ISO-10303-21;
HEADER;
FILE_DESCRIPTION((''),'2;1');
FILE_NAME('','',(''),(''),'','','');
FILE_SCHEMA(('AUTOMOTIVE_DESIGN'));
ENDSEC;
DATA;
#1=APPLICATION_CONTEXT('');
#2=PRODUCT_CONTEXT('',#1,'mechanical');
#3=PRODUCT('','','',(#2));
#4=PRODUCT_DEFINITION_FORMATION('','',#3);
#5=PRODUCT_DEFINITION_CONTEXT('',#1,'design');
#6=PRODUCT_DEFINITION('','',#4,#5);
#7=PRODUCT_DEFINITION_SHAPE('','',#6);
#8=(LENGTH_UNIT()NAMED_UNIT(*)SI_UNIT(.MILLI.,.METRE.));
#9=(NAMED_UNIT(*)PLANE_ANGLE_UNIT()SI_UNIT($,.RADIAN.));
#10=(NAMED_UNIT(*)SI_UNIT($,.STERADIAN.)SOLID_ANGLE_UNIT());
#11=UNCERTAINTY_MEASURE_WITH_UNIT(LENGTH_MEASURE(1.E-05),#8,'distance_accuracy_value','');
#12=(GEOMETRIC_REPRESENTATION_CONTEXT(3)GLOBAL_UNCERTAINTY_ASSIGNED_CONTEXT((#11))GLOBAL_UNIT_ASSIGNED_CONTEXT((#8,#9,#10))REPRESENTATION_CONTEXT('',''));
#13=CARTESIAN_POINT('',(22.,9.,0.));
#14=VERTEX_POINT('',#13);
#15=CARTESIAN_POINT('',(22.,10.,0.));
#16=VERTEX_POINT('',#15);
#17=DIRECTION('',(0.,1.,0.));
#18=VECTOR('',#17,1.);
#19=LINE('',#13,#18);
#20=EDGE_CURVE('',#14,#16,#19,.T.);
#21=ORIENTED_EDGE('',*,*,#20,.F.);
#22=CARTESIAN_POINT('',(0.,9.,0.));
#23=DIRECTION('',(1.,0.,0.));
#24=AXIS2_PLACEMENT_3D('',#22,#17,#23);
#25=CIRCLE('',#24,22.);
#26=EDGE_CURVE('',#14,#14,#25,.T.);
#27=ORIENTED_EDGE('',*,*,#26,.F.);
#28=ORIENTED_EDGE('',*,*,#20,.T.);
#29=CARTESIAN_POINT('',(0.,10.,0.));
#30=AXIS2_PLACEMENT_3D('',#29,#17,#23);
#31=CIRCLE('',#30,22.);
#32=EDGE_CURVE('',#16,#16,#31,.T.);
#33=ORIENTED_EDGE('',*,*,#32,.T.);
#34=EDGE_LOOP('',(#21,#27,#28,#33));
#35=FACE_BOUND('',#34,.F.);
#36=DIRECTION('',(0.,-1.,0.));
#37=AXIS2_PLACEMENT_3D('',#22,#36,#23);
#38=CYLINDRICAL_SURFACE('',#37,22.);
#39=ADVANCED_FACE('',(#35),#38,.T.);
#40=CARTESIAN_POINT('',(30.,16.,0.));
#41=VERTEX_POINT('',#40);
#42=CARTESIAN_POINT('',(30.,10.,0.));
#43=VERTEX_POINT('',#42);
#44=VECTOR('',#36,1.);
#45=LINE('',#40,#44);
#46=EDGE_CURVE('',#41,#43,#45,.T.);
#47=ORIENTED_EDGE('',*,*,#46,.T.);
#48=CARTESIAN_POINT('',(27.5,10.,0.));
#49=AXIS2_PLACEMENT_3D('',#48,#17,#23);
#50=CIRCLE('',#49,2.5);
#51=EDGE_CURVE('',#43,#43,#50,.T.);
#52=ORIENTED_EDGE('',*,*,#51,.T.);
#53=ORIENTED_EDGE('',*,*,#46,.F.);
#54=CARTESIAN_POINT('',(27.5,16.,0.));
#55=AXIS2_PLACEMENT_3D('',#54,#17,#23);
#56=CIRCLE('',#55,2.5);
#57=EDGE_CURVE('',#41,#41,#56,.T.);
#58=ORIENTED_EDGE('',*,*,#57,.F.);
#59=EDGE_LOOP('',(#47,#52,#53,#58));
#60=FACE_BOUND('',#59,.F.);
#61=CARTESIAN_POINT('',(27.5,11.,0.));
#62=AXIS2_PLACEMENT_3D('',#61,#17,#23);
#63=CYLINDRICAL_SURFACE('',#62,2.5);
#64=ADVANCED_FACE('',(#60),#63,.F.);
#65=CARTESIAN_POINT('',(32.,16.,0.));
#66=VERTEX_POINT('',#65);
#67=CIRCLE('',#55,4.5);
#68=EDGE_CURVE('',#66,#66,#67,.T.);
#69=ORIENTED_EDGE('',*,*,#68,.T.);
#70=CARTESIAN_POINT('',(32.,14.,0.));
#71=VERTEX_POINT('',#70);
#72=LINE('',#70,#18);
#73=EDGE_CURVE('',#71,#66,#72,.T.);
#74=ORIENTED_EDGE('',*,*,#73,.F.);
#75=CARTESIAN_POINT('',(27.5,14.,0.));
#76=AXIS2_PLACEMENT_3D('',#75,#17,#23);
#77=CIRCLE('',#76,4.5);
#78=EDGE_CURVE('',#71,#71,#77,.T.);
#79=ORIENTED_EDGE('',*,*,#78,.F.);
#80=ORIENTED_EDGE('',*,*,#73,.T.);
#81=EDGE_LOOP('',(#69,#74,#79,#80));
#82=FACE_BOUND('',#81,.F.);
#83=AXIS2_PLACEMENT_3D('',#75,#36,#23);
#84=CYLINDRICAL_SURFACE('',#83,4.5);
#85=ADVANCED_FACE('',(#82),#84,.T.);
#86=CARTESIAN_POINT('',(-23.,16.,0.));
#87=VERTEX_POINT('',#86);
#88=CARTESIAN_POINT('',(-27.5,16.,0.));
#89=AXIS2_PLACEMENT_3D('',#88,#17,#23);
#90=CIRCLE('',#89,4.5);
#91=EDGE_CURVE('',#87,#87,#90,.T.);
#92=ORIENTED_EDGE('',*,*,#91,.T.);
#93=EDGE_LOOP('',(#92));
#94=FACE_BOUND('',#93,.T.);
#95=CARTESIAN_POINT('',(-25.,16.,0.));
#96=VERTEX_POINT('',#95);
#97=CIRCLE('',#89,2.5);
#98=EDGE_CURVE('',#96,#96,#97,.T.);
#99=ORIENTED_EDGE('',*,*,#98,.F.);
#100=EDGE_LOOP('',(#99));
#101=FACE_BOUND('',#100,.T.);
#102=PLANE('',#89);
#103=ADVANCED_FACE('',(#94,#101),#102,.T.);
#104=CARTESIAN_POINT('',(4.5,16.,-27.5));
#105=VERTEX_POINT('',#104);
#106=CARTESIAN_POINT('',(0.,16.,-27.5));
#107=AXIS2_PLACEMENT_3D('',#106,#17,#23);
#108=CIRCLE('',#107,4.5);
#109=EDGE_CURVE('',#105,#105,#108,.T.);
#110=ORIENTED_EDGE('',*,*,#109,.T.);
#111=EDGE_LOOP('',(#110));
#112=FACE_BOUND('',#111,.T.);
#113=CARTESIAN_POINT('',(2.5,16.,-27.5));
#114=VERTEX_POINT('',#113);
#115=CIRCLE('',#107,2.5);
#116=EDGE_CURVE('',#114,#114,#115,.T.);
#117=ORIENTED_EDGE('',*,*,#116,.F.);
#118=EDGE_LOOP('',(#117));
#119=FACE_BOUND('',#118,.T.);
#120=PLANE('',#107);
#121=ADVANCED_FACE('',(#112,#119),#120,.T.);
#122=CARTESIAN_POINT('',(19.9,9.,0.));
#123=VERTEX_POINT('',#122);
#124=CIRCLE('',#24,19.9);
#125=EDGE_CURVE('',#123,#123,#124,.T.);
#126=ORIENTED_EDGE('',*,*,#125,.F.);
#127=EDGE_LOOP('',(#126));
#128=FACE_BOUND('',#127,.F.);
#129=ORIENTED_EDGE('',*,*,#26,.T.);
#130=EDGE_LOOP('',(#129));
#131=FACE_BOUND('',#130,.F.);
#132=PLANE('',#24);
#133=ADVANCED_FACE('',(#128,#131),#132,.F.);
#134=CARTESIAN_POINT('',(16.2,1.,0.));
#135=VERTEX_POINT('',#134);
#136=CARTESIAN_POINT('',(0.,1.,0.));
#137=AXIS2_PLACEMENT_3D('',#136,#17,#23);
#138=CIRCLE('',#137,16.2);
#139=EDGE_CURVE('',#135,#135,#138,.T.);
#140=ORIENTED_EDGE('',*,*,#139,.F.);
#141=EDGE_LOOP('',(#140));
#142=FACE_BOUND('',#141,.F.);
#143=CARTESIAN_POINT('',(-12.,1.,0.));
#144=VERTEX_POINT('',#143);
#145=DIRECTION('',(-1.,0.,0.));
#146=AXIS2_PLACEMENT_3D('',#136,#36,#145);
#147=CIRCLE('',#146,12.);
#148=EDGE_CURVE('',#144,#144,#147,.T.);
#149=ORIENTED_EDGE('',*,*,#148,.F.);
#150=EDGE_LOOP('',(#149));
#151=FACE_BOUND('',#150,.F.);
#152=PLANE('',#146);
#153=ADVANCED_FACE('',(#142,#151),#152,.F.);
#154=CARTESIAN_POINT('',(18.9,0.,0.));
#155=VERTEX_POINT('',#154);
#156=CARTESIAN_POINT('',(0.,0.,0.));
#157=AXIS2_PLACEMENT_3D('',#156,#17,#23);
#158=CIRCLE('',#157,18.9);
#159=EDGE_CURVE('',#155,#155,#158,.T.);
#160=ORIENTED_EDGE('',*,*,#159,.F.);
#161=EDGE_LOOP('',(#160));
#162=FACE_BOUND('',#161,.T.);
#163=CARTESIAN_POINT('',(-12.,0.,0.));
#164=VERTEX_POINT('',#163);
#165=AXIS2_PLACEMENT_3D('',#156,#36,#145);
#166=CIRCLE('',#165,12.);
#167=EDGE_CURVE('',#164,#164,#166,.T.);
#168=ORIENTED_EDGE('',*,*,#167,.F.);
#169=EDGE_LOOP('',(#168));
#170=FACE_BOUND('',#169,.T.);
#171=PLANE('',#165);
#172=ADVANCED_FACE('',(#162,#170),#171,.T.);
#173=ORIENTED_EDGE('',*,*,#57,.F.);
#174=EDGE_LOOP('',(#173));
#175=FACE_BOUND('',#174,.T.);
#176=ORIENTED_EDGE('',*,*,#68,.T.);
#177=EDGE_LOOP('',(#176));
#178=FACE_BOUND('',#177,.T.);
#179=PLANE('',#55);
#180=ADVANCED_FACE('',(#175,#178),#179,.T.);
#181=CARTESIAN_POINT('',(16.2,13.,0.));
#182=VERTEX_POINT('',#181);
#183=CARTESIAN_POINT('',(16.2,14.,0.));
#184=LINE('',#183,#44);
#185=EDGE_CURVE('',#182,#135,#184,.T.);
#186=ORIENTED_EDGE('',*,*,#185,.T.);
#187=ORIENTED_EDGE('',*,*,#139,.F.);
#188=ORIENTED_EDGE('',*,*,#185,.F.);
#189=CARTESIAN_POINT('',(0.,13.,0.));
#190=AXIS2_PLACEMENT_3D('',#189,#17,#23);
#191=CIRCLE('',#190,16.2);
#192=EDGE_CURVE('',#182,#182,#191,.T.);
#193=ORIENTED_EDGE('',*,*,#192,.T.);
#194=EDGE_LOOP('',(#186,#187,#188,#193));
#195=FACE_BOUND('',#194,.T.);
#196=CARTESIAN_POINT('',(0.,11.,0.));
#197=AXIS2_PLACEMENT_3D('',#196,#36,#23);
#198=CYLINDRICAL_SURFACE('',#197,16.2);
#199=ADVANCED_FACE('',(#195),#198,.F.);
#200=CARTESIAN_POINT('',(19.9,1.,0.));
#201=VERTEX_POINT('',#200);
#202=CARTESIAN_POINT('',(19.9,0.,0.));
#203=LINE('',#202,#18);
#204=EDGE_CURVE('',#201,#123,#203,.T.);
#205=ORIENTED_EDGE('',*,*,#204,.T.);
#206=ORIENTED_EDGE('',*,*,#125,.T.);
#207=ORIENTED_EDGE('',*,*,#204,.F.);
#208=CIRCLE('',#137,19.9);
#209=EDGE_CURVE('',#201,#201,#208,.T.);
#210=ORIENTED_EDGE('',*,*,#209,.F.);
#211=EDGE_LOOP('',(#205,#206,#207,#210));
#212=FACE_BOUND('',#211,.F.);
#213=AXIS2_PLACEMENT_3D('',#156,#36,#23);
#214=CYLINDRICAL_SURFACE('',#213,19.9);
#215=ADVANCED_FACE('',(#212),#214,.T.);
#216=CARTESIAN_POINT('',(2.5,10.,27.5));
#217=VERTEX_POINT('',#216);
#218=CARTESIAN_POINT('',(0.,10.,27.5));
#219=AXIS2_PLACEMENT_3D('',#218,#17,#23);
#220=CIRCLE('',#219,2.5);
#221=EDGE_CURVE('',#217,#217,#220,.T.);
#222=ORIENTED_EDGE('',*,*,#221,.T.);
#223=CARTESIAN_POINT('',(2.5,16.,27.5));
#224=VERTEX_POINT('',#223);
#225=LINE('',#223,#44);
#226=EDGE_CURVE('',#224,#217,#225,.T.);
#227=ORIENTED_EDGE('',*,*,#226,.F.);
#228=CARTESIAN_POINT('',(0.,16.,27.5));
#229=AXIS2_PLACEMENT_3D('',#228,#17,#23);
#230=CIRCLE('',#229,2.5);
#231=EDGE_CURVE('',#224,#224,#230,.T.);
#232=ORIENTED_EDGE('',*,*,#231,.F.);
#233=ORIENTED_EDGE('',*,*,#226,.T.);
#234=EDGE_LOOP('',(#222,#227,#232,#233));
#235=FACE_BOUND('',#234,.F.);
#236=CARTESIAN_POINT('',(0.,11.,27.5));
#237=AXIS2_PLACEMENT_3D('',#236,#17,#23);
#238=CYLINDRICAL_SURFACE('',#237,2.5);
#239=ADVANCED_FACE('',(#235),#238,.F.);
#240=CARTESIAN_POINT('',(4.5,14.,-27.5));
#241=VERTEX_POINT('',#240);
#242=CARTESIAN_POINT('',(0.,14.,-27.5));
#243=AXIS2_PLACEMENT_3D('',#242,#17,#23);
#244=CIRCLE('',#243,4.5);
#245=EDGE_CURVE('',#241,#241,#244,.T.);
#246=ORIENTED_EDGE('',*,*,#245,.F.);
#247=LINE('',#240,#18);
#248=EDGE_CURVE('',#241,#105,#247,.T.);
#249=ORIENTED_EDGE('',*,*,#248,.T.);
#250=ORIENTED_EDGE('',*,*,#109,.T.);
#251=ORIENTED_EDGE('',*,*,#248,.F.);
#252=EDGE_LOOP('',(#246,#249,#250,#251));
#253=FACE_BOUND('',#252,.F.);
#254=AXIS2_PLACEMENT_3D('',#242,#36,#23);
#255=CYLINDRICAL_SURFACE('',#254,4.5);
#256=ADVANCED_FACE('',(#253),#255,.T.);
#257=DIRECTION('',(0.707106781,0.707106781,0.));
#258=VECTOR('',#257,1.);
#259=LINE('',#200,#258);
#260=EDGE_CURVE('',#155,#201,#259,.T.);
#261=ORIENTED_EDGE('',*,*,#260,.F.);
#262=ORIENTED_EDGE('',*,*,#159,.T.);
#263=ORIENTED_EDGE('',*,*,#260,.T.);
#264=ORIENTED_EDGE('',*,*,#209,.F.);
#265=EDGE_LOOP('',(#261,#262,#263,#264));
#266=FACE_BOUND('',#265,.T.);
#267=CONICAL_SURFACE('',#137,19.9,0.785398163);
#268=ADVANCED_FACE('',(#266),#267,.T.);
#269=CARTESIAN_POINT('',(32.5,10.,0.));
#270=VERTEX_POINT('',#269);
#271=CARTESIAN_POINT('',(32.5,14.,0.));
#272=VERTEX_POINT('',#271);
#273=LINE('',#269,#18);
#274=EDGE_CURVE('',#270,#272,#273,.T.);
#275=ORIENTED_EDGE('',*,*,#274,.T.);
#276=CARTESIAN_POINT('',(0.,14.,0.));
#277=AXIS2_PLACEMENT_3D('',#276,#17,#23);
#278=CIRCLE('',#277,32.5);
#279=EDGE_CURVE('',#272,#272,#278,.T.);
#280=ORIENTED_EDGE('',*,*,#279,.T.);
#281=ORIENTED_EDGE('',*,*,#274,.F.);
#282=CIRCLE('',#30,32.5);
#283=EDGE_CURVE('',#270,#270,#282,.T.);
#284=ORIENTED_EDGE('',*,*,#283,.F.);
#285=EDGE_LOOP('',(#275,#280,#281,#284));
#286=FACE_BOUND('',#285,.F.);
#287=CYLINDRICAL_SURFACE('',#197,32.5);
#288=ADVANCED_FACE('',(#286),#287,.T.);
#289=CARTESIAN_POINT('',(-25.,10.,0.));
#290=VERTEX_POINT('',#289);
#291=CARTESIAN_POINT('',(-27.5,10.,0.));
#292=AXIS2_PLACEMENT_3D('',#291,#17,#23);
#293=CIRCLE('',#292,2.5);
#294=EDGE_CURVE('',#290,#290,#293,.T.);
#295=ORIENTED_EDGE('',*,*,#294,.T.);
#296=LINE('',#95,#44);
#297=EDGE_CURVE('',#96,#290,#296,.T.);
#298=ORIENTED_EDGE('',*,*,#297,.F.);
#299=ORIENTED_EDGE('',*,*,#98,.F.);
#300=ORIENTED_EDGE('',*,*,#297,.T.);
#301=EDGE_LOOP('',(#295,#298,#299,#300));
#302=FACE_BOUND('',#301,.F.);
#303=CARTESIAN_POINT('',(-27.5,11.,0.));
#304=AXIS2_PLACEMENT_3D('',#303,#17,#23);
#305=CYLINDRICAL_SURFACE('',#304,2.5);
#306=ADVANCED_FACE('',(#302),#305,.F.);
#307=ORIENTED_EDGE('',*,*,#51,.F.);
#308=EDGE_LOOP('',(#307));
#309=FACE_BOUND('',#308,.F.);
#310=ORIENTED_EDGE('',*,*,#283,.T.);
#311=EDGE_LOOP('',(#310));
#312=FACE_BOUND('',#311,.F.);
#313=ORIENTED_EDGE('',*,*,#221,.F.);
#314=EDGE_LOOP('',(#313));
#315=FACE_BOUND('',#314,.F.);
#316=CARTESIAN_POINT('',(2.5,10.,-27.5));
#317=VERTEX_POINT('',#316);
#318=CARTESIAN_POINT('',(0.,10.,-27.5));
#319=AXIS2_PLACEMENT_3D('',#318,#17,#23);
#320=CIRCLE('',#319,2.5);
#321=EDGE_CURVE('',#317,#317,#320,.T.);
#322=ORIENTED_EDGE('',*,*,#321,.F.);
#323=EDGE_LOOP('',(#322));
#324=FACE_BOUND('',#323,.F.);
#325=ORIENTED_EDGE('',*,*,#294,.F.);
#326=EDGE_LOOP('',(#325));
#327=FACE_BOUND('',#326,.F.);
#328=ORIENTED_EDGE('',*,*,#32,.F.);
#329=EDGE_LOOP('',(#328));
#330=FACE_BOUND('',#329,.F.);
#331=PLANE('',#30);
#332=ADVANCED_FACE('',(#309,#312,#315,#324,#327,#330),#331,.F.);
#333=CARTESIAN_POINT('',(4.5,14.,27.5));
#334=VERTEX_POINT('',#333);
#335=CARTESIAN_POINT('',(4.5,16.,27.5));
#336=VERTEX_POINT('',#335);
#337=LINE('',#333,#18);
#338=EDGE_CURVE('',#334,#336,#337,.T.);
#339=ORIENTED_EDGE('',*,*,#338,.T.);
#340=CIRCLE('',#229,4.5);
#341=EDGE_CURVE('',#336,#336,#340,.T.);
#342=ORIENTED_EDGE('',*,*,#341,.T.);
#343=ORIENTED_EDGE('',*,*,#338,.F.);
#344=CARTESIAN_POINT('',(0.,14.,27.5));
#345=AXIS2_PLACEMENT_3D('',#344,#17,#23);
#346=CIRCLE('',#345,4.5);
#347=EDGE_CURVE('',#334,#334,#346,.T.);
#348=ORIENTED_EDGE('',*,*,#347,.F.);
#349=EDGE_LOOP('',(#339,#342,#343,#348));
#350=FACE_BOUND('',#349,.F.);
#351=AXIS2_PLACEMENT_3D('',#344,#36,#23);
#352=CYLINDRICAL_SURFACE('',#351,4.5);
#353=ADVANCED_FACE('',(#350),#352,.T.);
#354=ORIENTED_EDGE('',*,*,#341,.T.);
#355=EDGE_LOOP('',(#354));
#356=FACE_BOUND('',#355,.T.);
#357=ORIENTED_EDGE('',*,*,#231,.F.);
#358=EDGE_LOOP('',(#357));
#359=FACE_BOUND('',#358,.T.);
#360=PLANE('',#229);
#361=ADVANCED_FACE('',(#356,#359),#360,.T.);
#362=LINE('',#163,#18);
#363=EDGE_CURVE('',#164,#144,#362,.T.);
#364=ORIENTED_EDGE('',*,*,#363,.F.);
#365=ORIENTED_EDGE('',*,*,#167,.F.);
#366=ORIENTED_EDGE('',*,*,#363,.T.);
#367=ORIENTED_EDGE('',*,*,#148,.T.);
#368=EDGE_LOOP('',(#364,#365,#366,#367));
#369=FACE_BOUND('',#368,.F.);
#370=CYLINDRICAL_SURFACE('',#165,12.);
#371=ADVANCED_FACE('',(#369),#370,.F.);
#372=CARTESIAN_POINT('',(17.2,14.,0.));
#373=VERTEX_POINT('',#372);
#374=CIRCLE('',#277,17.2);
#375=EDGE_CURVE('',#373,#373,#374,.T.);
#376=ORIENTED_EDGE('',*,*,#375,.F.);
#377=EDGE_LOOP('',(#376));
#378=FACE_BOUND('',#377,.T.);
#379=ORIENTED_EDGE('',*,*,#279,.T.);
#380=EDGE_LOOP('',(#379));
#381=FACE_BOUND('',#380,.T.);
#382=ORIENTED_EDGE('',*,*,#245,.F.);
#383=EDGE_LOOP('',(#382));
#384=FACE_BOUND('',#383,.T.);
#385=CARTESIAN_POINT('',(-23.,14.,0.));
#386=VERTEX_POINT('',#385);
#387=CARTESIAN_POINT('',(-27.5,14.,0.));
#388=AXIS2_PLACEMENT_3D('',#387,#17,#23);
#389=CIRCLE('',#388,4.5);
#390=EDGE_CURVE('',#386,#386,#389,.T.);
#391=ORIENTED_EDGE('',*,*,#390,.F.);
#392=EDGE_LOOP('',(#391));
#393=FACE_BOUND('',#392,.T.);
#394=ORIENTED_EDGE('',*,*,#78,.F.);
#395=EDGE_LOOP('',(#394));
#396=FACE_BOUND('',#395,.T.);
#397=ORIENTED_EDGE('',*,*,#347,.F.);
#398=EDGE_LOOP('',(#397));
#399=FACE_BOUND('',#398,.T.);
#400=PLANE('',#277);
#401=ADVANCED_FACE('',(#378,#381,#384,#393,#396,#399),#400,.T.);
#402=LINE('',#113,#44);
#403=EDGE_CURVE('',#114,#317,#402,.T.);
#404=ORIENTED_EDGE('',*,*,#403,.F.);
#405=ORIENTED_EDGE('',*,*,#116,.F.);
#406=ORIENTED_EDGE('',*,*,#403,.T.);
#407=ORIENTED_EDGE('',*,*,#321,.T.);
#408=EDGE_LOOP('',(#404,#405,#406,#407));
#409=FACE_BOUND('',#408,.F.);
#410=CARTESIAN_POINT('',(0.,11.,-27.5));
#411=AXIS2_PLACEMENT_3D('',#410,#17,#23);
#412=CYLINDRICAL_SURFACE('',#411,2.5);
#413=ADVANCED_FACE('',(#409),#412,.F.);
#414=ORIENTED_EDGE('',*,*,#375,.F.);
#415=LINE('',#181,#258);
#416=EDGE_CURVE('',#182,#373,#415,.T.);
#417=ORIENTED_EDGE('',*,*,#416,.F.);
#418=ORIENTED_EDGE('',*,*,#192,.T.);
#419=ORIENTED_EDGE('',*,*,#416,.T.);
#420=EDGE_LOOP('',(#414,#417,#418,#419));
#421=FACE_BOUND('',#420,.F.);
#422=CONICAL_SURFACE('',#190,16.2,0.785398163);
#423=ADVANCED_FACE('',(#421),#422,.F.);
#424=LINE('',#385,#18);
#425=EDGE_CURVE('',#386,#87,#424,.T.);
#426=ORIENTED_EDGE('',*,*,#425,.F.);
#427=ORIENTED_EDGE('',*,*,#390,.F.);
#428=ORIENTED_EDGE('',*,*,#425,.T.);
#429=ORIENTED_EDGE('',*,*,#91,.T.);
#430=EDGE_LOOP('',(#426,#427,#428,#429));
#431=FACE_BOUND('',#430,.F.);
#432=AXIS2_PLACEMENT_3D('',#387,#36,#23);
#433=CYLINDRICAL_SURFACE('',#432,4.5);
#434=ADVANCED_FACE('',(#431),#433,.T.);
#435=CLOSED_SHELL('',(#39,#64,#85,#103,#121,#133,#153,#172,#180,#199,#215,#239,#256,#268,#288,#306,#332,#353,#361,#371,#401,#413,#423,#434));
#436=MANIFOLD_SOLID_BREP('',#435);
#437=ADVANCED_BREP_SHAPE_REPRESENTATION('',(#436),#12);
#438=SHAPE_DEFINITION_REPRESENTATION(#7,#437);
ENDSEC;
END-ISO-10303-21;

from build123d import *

# Parameters (mm, degrees)
SKETCH1_R           = 19.9
SKETCH1_R_2         = 16.2
BOSS_EXTRUDE1_DEPTH = 9
SKETCH2_R           = 22
SKETCH2_R_2         = 16.2
BOSS_EXTRUDE2_DEPTH = 1
SKETCH3_R           = 32.5
SKETCH3_R_2         = 16.2
BOSS_EXTRUDE3_DEPTH = 1
SKETCH6_R           = 32.5
SKETCH6_R_2         = 2.5
SKETCH6_R_3         = 16.2
BOSS_EXTRUDE6_DEPTH = 3
SKETCH7_R           = 4.5
SKETCH7_R_2         = 2.5
BOSS_EXTRUDE7_DEPTH = 2
SKETCH8_R           = 16.2
SKETCH8_R_2         = 12
BOSS_EXTRUDE8_DEPTH = 1
SKETCH9_R           = 2.5
CUT_EXTRUDE1_DEPTH  = 10
CHAMFER1_SIZE       = 1
CHAMFER2_SIZE       = 1


with BuildPart() as part:
    # Sketch1 → Boss-Extrude1 (new body)
    with BuildSketch(Plane(origin=(0, 0, 0), x_dir=(1, 0, 0), z_dir=(0, 1, 0))):
        Circle(SKETCH1_R)
        Circle(SKETCH1_R_2, mode=Mode.SUBTRACT)
    extrude(amount=BOSS_EXTRUDE1_DEPTH)

    # Sketch2 → Boss-Extrude2 (add)
    with BuildSketch(Plane(origin=(0, 9, 0), x_dir=(1, 0, 0), z_dir=(0, 1, 0))):
        Circle(SKETCH2_R)
        Circle(SKETCH2_R_2, mode=Mode.SUBTRACT)
    extrude(amount=BOSS_EXTRUDE2_DEPTH)

    # Sketch3 → Boss-Extrude3 (add)
    with BuildSketch(Plane(origin=(0, 10, 0), x_dir=(1, 0, 0), z_dir=(0, 1, 0))):
        Circle(SKETCH3_R)
        Circle(SKETCH3_R_2, mode=Mode.SUBTRACT)
    extrude(amount=BOSS_EXTRUDE3_DEPTH)

    # Sketch6 → Boss-Extrude6 (add)
    with BuildSketch(Plane(origin=(0, 11, 0), x_dir=(1, 0, 0), z_dir=(0, 1, 0))):
        Circle(SKETCH6_R)
        with Locations((0, 27.5)):
            Circle(SKETCH6_R_2, mode=Mode.SUBTRACT)
        with Locations((27.5, 0)):
            Circle(SKETCH6_R_2, mode=Mode.SUBTRACT)
        with Locations((0, -27.5)):
            Circle(SKETCH6_R_2, mode=Mode.SUBTRACT)
        with Locations((-27.5, 0)):
            Circle(SKETCH6_R_2, mode=Mode.SUBTRACT)
        Circle(SKETCH6_R_3, mode=Mode.SUBTRACT)
    extrude(amount=BOSS_EXTRUDE6_DEPTH)

    # Sketch7 → Boss-Extrude7 (add)
    with BuildSketch(Plane(origin=(0, 14, 0), x_dir=(1, 0, 0), z_dir=(0, 1, 0))):
        with Locations((0, -27.5)):
            Circle(SKETCH7_R)
        with Locations((0, -27.5)):
            Circle(SKETCH7_R_2, mode=Mode.SUBTRACT)
        with Locations((0, 27.5)):
            Circle(SKETCH7_R)
        with Locations((0, 27.5)):
            Circle(SKETCH7_R_2, mode=Mode.SUBTRACT)
        with Locations((27.5, 0)):
            Circle(SKETCH7_R)
        with Locations((27.5, 0)):
            Circle(SKETCH7_R_2, mode=Mode.SUBTRACT)
        with Locations((-27.5, 0)):
            Circle(SKETCH7_R)
        with Locations((-27.5, 0)):
            Circle(SKETCH7_R_2, mode=Mode.SUBTRACT)
    extrude(amount=BOSS_EXTRUDE7_DEPTH)

    # Sketch8 → Boss-Extrude8 (add)
    with BuildSketch(Plane(origin=(0, 0, 0), x_dir=(-1, 0, 0), z_dir=(0, -1, 0))):
        Circle(SKETCH8_R)
        Circle(SKETCH8_R_2, mode=Mode.SUBTRACT)
    extrude(amount=-BOSS_EXTRUDE8_DEPTH)

    # Sketch9 → Cut-Extrude1 (cut)
    with BuildSketch(Plane(origin=(0, 11, 0), x_dir=(1, 0, 0), z_dir=(0, 1, 0))):
        with Locations((0, -27.5)):
            Circle(SKETCH9_R)
        with Locations((27.5, 0)):
            Circle(SKETCH9_R)
        with Locations((0, 27.5)):
            Circle(SKETCH9_R)
        with Locations((-27.5, 0)):
            Circle(SKETCH9_R)
    extrude(amount=-CUT_EXTRUDE1_DEPTH, mode=Mode.SUBTRACT)

    # Chamfer1
    chamfer1_edges = [part.edges().sort_by_distance(p)[0] for p in [
        (-16.2, 14, 0),
    ]]
    chamfer(chamfer1_edges, length=CHAMFER1_SIZE)

    # Chamfer2
    chamfer2_edges = [part.edges().sort_by_distance(p)[0] for p in [
        (-19.9, 0, 0),
    ]]
    chamfer(chamfer2_edges, length=CHAMFER2_SIZE)


solid = part.part
